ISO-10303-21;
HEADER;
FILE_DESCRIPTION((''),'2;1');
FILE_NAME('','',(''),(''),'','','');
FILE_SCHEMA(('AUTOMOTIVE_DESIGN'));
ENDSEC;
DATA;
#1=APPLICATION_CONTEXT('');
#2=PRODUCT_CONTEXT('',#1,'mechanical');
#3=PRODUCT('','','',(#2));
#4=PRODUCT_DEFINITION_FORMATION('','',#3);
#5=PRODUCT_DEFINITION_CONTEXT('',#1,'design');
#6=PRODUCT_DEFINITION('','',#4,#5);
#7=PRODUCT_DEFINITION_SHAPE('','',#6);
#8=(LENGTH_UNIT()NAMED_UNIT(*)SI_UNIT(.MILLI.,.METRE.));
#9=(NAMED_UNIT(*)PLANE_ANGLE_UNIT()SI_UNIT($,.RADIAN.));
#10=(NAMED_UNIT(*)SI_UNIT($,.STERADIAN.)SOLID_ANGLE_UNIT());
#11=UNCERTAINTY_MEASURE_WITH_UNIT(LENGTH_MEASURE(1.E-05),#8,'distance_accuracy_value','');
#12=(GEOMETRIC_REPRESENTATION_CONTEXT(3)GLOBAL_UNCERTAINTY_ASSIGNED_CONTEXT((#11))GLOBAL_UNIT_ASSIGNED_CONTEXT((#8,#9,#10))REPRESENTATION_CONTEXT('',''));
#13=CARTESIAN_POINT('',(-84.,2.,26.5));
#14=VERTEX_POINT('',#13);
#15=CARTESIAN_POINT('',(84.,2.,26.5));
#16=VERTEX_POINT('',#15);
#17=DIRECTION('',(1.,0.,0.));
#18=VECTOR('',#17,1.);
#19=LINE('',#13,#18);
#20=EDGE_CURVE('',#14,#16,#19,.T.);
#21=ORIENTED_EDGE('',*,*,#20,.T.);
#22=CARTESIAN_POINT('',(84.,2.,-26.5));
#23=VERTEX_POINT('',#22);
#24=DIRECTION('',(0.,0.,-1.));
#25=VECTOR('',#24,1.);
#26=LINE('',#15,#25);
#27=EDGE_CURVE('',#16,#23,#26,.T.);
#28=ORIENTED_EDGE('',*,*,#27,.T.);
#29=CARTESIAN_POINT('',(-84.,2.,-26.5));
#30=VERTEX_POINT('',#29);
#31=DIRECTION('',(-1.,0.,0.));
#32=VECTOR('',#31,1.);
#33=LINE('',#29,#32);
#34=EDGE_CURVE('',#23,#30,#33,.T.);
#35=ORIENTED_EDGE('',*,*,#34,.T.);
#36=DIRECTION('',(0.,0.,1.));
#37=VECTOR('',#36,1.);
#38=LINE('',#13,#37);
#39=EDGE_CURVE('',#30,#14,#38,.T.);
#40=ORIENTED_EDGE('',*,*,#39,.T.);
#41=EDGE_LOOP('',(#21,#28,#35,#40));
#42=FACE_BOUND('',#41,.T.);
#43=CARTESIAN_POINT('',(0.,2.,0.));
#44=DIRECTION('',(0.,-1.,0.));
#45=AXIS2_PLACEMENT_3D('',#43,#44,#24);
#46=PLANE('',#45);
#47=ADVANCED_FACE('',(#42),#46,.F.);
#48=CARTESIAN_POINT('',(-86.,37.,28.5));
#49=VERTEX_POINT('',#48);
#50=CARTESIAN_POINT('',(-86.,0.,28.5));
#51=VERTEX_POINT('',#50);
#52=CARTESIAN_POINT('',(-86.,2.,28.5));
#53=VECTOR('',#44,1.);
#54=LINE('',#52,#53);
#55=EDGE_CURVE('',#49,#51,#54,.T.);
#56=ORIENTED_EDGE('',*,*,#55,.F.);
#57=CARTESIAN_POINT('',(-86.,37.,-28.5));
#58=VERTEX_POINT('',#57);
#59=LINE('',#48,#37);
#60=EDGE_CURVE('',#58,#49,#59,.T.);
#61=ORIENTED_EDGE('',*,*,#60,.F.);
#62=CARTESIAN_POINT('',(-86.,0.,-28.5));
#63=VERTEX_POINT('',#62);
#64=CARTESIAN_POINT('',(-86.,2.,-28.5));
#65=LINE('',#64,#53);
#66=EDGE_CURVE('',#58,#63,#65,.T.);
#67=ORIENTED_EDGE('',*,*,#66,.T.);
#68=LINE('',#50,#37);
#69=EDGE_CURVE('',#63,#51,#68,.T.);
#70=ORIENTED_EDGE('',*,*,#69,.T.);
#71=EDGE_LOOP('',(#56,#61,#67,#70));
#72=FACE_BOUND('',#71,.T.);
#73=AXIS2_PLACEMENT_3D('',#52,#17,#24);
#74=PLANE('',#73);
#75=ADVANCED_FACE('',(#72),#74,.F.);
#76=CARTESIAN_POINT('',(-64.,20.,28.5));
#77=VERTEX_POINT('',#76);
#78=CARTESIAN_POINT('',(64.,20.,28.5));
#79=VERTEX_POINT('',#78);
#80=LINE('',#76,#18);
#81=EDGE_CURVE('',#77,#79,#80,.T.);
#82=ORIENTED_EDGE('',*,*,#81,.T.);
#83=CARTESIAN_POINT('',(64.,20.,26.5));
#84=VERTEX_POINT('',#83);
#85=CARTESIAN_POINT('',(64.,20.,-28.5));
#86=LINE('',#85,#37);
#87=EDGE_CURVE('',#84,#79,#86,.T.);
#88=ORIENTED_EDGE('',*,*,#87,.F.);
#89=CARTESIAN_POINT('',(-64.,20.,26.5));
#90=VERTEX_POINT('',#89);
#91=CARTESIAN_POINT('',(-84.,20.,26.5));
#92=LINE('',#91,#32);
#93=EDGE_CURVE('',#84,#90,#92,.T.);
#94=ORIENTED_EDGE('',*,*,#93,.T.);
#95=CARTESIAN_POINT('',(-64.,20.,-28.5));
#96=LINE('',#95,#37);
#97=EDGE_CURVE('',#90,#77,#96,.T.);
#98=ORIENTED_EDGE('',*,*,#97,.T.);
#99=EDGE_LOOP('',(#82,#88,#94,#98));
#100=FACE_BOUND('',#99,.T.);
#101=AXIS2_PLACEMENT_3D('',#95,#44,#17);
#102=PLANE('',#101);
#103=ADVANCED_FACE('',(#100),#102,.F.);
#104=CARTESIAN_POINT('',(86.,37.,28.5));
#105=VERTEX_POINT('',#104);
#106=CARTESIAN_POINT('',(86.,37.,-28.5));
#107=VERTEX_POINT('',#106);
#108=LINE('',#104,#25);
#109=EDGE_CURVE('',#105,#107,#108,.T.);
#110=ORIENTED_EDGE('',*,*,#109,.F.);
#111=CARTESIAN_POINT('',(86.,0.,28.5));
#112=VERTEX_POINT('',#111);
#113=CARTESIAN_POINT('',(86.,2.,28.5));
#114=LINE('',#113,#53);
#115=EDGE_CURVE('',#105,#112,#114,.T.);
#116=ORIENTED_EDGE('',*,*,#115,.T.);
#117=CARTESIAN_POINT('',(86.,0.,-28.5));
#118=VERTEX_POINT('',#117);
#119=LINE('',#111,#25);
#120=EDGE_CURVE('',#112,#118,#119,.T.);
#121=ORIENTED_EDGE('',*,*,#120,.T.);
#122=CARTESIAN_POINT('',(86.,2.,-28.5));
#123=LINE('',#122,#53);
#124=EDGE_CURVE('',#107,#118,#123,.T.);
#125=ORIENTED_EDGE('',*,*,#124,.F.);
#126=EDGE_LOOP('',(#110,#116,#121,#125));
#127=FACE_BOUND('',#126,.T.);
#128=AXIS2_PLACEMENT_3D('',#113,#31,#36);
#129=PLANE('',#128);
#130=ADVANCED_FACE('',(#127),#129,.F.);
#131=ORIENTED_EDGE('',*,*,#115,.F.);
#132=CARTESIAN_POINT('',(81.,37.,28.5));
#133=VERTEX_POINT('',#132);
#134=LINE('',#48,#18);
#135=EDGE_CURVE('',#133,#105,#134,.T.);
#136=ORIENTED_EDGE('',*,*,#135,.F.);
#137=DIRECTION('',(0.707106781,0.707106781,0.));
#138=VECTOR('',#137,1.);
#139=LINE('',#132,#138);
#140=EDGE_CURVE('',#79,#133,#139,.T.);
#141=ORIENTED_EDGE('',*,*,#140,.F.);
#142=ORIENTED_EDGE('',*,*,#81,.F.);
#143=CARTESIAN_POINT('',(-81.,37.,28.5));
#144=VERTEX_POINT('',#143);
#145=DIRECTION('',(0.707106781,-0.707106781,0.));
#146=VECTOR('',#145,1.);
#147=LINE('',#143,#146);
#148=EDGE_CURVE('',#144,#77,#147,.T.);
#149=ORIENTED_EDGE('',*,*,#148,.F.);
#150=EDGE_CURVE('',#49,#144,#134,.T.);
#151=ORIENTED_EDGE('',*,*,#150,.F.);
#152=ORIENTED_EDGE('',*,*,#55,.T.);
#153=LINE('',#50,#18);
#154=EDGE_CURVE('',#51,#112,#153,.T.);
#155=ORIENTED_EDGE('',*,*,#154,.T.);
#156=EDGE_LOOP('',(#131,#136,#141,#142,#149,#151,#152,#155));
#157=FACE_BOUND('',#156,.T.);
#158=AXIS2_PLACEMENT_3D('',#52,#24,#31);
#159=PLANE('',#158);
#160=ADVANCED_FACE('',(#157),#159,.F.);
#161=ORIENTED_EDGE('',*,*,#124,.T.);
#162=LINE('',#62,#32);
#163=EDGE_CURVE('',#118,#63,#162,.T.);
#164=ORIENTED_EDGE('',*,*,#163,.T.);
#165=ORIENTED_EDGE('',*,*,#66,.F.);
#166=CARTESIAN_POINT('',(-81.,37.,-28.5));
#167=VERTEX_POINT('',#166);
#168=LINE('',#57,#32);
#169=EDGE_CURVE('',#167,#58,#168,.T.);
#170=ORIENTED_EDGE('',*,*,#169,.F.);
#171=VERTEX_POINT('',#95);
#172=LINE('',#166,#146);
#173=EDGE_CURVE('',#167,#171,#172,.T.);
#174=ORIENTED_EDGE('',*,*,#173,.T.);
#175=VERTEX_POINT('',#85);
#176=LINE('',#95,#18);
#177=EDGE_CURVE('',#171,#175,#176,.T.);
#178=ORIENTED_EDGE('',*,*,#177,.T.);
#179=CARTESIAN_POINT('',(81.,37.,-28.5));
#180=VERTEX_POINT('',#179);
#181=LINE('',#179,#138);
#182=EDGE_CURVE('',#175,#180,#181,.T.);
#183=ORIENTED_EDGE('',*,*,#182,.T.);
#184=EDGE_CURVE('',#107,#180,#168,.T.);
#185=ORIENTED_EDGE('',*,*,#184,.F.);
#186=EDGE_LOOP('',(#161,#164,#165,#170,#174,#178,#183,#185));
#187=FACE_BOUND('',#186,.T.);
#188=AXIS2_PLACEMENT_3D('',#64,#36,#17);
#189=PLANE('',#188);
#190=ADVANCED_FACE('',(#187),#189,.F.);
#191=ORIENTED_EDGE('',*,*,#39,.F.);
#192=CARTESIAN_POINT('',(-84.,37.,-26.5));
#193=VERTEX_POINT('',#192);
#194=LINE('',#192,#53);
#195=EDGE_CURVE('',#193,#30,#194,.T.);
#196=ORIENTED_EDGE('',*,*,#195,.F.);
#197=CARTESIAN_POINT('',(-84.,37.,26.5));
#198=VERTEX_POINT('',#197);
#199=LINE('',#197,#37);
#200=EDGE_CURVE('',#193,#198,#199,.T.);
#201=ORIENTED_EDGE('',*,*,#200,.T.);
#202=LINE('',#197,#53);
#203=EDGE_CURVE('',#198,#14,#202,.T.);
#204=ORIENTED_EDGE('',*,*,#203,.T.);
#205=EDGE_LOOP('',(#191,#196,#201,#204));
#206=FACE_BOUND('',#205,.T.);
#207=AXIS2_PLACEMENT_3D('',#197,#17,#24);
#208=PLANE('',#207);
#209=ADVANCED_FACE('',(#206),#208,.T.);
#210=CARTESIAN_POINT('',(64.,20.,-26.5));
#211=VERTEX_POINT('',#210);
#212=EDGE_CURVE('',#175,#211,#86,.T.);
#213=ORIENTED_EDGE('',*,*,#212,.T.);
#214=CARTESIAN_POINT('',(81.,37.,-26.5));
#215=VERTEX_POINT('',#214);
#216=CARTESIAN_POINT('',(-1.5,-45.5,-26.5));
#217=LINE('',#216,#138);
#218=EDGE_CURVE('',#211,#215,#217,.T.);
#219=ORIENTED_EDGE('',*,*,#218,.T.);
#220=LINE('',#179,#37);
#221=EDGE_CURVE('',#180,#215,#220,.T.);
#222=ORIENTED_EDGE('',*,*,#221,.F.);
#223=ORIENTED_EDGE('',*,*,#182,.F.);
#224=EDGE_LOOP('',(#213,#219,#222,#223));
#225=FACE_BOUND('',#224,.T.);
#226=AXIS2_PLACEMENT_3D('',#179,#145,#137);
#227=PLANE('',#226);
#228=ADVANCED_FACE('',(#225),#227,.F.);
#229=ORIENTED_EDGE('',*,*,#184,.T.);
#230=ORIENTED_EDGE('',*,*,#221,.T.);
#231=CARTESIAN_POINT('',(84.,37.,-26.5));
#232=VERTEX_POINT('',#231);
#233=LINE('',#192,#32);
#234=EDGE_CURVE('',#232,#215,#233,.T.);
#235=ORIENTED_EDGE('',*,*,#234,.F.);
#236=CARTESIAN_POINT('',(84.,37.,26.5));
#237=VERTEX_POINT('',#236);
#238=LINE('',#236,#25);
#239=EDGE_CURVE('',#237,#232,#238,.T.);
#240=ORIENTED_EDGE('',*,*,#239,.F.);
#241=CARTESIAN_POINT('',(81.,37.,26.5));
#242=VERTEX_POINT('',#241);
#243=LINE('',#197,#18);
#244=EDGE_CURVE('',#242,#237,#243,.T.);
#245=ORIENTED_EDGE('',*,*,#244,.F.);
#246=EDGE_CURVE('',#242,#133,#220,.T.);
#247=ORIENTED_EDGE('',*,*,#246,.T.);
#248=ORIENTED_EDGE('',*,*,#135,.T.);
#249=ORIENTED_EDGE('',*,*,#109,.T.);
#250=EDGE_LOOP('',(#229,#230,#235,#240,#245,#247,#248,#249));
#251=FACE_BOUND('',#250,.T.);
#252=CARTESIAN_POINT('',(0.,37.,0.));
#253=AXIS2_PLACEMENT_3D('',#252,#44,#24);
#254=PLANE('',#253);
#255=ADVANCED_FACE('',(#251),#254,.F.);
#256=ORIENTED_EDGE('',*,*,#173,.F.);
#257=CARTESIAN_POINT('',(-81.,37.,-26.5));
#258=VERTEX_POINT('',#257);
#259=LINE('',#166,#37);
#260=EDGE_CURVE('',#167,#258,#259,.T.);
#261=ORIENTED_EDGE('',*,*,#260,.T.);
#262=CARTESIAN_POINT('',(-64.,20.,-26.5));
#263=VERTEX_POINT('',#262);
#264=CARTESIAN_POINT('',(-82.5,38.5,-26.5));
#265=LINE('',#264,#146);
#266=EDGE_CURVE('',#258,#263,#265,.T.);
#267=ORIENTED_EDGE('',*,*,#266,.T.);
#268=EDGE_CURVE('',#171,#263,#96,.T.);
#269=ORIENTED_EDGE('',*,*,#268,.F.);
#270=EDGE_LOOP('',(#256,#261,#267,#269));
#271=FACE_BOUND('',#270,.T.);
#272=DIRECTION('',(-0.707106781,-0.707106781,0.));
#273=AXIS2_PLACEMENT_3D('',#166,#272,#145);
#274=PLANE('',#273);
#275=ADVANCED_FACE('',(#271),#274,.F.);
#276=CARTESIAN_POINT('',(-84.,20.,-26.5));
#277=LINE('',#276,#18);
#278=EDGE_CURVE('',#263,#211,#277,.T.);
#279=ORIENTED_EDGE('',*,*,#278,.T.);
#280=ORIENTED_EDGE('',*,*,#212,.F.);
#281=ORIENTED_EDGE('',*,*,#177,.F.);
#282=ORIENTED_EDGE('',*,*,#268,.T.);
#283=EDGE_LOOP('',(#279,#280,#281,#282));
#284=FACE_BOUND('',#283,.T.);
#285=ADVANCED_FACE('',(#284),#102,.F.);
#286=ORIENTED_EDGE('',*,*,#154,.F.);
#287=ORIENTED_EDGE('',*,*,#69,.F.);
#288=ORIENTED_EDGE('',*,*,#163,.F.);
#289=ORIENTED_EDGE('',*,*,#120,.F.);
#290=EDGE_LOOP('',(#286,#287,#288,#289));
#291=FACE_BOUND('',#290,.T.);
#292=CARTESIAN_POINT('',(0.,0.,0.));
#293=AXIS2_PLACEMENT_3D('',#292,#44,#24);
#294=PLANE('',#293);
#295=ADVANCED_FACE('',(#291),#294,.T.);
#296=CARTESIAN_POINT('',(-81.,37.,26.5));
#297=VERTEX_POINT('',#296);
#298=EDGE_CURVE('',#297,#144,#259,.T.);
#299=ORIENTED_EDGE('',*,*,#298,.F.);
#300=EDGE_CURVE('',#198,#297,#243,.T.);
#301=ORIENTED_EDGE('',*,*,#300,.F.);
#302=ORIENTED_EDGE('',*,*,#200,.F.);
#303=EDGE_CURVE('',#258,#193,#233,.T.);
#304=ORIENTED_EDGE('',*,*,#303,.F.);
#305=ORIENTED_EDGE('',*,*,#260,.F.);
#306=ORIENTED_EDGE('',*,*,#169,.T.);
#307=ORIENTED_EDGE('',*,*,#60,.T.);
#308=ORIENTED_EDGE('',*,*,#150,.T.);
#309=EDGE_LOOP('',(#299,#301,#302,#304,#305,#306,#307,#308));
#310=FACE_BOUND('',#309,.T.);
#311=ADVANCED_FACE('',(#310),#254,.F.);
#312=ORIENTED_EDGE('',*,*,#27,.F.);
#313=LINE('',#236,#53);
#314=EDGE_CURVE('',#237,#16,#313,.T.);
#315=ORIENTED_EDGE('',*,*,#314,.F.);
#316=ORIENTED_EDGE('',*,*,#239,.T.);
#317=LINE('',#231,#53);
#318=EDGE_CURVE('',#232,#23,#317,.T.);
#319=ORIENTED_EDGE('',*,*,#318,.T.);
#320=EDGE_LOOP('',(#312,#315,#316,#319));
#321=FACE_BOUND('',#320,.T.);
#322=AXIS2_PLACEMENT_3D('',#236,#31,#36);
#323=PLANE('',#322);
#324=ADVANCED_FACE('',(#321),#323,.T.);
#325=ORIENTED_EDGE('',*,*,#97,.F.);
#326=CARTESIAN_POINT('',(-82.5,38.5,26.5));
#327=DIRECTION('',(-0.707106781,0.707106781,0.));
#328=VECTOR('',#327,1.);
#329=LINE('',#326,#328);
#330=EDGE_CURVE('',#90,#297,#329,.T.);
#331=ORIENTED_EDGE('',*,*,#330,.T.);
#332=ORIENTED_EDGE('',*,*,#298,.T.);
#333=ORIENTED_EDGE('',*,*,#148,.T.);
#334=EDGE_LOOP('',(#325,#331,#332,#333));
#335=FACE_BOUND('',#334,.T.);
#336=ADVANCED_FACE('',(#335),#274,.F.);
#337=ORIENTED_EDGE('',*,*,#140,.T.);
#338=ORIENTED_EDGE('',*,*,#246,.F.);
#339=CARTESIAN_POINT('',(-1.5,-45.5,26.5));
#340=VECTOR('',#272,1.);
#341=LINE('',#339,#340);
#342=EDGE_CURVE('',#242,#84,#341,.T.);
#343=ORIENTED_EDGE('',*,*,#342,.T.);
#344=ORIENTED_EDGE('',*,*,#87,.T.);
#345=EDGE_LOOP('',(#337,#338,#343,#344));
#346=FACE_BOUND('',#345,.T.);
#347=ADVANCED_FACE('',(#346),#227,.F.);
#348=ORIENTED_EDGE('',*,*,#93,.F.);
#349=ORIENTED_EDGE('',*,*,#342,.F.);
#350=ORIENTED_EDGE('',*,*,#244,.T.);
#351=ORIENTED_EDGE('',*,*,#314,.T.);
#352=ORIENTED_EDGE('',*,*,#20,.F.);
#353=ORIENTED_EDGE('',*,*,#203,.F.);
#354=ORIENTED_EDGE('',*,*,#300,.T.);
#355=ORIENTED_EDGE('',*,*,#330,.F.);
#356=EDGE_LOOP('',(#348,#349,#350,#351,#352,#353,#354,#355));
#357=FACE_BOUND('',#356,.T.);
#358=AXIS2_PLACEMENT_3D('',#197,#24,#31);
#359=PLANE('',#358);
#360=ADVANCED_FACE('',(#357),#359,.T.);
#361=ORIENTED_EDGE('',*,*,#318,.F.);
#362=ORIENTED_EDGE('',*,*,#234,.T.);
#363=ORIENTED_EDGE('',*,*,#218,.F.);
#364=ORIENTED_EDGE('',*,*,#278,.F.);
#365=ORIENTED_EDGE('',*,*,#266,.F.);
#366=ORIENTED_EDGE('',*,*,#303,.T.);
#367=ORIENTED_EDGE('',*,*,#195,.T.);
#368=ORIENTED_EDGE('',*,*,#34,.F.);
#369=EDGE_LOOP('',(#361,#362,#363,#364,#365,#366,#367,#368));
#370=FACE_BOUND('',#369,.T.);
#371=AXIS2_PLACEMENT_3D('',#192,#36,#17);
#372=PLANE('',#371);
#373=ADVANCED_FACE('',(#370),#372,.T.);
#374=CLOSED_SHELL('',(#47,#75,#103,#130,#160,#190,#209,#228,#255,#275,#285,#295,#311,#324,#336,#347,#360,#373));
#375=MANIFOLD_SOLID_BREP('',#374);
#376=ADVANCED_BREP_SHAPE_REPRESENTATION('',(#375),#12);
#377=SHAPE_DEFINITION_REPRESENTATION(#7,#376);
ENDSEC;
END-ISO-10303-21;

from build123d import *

# Parameters (mm, degrees)
SKETCH_1_W          = 172
SKETCH_1_H          = 57
EXTRUDE_1_DEPTH     = 2
SKETCH_3_W          = 172
SKETCH_3_H          = 57
SKETCH_3_W_2        = 168
SKETCH_3_H_2        = 53
EXTRUDE_2_DEPTH     = 35
CUT_EXTRUDE_1_DEPTH = 110.608393839


with BuildPart() as part:
    # 草图1 → 凸台-拉伸1 (new body)
    with BuildSketch(Plane(origin=(0, 0, 0), x_dir=(1, 0, 0), z_dir=(0, 1, 0))):
        Rectangle(SKETCH_1_W, SKETCH_1_H)
    extrude(amount=EXTRUDE_1_DEPTH)

    # 草图3 → 凸台-拉伸2 (add)
    with BuildSketch(Plane(origin=(0, 2, 0), x_dir=(1, 0, 0), z_dir=(0, 1, 0))):
        Rectangle(SKETCH_3_W, SKETCH_3_H)
        Rectangle(SKETCH_3_W_2, SKETCH_3_H_2, mode=Mode.SUBTRACT)
    extrude(amount=EXTRUDE_2_DEPTH)

    # 草图4 → 切除-拉伸1 (cut, through all)
    with BuildSketch(Plane.XY.offset(28.5)):
        Polygon((-81, 37), (-64, 20), (64, 20), (81, 37), align=None)
    extrude(amount=-CUT_EXTRUDE_1_DEPTH, mode=Mode.SUBTRACT)


solid = part.part
